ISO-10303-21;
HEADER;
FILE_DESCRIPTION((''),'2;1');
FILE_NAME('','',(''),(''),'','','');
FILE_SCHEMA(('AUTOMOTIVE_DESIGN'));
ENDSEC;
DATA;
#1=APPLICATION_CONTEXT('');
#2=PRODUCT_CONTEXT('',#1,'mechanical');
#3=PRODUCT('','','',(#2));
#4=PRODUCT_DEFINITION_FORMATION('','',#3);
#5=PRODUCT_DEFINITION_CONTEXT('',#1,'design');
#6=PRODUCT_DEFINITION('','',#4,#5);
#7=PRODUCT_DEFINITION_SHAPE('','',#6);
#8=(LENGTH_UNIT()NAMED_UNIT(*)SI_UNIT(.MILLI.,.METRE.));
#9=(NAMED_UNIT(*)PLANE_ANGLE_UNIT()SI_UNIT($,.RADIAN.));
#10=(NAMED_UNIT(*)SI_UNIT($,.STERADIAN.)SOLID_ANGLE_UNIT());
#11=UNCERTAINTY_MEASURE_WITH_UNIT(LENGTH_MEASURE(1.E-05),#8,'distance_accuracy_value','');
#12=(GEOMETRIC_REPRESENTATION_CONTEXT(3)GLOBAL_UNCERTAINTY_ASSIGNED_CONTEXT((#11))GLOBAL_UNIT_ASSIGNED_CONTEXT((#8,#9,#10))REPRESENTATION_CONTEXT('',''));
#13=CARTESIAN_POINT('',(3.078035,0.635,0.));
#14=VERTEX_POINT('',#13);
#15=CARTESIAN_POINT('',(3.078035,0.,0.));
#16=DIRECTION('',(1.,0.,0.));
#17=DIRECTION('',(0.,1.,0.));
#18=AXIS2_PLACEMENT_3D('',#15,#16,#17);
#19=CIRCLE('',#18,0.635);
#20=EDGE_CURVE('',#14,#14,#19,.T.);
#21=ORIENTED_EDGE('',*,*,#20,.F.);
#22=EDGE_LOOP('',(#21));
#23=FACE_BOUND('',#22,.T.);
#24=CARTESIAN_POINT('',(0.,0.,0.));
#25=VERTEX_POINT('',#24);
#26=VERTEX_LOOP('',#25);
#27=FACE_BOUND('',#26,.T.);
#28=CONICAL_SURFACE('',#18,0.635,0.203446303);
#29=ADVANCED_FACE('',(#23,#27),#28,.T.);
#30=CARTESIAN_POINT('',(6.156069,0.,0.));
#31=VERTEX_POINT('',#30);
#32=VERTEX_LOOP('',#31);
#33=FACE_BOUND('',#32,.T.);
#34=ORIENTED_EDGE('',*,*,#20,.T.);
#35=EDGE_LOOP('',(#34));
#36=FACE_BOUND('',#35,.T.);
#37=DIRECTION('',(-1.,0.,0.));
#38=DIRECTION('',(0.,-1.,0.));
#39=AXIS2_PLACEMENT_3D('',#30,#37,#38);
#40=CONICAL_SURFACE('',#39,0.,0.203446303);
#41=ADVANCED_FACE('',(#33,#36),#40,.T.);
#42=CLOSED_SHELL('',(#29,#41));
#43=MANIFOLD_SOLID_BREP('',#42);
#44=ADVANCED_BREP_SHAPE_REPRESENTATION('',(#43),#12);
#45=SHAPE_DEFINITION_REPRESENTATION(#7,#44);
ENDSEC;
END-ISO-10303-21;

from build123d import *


with BuildPart() as part:
    # Sketch1 → Revolve1 (revolve)
    with BuildSketch(Plane.XY):
        Polygon((0, 0), (3.078034611, 0.635), (6.156069222, 0), align=None)
    revolve(axis=Axis((6.156069222, 0, 0), (-1, 0, 0)))


solid = part.part
